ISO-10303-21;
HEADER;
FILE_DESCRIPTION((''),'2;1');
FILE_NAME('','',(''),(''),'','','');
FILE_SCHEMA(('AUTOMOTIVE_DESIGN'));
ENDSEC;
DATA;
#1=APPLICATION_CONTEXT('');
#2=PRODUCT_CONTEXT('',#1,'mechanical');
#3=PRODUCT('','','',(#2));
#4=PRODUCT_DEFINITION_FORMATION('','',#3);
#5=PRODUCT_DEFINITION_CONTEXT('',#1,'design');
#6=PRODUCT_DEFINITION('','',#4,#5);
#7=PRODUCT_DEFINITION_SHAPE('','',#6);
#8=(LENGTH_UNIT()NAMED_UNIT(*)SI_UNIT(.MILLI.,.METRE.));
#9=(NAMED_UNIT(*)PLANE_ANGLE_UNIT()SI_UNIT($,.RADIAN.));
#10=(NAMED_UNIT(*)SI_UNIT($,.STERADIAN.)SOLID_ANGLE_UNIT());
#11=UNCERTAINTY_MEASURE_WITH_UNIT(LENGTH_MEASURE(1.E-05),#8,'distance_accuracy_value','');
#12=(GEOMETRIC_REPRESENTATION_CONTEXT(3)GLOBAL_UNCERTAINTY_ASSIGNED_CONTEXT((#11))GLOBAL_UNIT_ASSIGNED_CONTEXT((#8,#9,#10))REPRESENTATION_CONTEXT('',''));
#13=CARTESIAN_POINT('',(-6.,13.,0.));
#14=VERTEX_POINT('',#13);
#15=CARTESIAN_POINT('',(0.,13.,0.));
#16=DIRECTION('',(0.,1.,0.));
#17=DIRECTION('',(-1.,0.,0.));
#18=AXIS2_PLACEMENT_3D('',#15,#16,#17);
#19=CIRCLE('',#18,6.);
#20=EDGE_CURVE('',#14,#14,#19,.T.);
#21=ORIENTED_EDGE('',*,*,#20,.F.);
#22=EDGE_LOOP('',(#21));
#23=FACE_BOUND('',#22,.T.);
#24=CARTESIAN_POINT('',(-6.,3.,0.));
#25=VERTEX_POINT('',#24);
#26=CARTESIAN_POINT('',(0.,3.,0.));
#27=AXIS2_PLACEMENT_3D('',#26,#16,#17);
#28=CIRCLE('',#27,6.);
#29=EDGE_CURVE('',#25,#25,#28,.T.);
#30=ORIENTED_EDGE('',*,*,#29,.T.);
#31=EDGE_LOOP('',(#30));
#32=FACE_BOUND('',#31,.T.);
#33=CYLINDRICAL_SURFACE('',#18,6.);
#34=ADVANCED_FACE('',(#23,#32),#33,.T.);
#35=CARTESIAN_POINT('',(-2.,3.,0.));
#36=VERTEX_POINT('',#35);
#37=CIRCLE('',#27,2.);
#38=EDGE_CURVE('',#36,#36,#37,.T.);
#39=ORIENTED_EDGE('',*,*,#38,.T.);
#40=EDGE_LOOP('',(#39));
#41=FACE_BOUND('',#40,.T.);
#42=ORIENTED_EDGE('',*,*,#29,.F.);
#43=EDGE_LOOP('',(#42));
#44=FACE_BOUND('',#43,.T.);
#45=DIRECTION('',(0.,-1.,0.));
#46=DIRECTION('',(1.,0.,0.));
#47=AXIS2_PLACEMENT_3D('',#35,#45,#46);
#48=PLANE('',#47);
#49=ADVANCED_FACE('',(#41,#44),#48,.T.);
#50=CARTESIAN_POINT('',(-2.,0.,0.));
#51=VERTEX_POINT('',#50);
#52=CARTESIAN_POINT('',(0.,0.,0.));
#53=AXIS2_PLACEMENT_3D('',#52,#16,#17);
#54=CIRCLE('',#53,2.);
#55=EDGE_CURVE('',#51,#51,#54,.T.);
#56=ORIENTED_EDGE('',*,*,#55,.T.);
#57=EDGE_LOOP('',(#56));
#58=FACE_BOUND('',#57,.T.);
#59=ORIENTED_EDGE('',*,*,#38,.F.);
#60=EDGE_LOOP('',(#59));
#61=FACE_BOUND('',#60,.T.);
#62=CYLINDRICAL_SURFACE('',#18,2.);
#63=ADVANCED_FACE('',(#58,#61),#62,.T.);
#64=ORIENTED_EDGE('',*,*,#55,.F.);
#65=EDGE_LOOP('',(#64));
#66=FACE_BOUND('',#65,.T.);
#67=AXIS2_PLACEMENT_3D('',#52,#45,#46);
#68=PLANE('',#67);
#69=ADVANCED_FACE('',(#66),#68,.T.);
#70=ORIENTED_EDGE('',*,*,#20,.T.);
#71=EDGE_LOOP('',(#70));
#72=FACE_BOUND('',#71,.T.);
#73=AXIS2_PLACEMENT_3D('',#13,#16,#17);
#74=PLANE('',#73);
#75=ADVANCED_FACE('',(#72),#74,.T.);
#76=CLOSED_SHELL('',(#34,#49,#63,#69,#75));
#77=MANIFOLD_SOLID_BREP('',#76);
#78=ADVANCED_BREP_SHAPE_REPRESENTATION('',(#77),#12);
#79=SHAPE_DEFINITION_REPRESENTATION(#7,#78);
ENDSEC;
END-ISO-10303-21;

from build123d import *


with BuildPart() as part:
    # Sketch1 → Revolve1 (revolve)
    with BuildSketch(Plane.XY):
        Polygon((0, 0), (-2, 0), (-2, 3), (-6, 3), (-6, 13), (0, 13), align=None)
    revolve(axis=Axis((0, 13, 0), (0, -1, 0)))


solid = part.part
